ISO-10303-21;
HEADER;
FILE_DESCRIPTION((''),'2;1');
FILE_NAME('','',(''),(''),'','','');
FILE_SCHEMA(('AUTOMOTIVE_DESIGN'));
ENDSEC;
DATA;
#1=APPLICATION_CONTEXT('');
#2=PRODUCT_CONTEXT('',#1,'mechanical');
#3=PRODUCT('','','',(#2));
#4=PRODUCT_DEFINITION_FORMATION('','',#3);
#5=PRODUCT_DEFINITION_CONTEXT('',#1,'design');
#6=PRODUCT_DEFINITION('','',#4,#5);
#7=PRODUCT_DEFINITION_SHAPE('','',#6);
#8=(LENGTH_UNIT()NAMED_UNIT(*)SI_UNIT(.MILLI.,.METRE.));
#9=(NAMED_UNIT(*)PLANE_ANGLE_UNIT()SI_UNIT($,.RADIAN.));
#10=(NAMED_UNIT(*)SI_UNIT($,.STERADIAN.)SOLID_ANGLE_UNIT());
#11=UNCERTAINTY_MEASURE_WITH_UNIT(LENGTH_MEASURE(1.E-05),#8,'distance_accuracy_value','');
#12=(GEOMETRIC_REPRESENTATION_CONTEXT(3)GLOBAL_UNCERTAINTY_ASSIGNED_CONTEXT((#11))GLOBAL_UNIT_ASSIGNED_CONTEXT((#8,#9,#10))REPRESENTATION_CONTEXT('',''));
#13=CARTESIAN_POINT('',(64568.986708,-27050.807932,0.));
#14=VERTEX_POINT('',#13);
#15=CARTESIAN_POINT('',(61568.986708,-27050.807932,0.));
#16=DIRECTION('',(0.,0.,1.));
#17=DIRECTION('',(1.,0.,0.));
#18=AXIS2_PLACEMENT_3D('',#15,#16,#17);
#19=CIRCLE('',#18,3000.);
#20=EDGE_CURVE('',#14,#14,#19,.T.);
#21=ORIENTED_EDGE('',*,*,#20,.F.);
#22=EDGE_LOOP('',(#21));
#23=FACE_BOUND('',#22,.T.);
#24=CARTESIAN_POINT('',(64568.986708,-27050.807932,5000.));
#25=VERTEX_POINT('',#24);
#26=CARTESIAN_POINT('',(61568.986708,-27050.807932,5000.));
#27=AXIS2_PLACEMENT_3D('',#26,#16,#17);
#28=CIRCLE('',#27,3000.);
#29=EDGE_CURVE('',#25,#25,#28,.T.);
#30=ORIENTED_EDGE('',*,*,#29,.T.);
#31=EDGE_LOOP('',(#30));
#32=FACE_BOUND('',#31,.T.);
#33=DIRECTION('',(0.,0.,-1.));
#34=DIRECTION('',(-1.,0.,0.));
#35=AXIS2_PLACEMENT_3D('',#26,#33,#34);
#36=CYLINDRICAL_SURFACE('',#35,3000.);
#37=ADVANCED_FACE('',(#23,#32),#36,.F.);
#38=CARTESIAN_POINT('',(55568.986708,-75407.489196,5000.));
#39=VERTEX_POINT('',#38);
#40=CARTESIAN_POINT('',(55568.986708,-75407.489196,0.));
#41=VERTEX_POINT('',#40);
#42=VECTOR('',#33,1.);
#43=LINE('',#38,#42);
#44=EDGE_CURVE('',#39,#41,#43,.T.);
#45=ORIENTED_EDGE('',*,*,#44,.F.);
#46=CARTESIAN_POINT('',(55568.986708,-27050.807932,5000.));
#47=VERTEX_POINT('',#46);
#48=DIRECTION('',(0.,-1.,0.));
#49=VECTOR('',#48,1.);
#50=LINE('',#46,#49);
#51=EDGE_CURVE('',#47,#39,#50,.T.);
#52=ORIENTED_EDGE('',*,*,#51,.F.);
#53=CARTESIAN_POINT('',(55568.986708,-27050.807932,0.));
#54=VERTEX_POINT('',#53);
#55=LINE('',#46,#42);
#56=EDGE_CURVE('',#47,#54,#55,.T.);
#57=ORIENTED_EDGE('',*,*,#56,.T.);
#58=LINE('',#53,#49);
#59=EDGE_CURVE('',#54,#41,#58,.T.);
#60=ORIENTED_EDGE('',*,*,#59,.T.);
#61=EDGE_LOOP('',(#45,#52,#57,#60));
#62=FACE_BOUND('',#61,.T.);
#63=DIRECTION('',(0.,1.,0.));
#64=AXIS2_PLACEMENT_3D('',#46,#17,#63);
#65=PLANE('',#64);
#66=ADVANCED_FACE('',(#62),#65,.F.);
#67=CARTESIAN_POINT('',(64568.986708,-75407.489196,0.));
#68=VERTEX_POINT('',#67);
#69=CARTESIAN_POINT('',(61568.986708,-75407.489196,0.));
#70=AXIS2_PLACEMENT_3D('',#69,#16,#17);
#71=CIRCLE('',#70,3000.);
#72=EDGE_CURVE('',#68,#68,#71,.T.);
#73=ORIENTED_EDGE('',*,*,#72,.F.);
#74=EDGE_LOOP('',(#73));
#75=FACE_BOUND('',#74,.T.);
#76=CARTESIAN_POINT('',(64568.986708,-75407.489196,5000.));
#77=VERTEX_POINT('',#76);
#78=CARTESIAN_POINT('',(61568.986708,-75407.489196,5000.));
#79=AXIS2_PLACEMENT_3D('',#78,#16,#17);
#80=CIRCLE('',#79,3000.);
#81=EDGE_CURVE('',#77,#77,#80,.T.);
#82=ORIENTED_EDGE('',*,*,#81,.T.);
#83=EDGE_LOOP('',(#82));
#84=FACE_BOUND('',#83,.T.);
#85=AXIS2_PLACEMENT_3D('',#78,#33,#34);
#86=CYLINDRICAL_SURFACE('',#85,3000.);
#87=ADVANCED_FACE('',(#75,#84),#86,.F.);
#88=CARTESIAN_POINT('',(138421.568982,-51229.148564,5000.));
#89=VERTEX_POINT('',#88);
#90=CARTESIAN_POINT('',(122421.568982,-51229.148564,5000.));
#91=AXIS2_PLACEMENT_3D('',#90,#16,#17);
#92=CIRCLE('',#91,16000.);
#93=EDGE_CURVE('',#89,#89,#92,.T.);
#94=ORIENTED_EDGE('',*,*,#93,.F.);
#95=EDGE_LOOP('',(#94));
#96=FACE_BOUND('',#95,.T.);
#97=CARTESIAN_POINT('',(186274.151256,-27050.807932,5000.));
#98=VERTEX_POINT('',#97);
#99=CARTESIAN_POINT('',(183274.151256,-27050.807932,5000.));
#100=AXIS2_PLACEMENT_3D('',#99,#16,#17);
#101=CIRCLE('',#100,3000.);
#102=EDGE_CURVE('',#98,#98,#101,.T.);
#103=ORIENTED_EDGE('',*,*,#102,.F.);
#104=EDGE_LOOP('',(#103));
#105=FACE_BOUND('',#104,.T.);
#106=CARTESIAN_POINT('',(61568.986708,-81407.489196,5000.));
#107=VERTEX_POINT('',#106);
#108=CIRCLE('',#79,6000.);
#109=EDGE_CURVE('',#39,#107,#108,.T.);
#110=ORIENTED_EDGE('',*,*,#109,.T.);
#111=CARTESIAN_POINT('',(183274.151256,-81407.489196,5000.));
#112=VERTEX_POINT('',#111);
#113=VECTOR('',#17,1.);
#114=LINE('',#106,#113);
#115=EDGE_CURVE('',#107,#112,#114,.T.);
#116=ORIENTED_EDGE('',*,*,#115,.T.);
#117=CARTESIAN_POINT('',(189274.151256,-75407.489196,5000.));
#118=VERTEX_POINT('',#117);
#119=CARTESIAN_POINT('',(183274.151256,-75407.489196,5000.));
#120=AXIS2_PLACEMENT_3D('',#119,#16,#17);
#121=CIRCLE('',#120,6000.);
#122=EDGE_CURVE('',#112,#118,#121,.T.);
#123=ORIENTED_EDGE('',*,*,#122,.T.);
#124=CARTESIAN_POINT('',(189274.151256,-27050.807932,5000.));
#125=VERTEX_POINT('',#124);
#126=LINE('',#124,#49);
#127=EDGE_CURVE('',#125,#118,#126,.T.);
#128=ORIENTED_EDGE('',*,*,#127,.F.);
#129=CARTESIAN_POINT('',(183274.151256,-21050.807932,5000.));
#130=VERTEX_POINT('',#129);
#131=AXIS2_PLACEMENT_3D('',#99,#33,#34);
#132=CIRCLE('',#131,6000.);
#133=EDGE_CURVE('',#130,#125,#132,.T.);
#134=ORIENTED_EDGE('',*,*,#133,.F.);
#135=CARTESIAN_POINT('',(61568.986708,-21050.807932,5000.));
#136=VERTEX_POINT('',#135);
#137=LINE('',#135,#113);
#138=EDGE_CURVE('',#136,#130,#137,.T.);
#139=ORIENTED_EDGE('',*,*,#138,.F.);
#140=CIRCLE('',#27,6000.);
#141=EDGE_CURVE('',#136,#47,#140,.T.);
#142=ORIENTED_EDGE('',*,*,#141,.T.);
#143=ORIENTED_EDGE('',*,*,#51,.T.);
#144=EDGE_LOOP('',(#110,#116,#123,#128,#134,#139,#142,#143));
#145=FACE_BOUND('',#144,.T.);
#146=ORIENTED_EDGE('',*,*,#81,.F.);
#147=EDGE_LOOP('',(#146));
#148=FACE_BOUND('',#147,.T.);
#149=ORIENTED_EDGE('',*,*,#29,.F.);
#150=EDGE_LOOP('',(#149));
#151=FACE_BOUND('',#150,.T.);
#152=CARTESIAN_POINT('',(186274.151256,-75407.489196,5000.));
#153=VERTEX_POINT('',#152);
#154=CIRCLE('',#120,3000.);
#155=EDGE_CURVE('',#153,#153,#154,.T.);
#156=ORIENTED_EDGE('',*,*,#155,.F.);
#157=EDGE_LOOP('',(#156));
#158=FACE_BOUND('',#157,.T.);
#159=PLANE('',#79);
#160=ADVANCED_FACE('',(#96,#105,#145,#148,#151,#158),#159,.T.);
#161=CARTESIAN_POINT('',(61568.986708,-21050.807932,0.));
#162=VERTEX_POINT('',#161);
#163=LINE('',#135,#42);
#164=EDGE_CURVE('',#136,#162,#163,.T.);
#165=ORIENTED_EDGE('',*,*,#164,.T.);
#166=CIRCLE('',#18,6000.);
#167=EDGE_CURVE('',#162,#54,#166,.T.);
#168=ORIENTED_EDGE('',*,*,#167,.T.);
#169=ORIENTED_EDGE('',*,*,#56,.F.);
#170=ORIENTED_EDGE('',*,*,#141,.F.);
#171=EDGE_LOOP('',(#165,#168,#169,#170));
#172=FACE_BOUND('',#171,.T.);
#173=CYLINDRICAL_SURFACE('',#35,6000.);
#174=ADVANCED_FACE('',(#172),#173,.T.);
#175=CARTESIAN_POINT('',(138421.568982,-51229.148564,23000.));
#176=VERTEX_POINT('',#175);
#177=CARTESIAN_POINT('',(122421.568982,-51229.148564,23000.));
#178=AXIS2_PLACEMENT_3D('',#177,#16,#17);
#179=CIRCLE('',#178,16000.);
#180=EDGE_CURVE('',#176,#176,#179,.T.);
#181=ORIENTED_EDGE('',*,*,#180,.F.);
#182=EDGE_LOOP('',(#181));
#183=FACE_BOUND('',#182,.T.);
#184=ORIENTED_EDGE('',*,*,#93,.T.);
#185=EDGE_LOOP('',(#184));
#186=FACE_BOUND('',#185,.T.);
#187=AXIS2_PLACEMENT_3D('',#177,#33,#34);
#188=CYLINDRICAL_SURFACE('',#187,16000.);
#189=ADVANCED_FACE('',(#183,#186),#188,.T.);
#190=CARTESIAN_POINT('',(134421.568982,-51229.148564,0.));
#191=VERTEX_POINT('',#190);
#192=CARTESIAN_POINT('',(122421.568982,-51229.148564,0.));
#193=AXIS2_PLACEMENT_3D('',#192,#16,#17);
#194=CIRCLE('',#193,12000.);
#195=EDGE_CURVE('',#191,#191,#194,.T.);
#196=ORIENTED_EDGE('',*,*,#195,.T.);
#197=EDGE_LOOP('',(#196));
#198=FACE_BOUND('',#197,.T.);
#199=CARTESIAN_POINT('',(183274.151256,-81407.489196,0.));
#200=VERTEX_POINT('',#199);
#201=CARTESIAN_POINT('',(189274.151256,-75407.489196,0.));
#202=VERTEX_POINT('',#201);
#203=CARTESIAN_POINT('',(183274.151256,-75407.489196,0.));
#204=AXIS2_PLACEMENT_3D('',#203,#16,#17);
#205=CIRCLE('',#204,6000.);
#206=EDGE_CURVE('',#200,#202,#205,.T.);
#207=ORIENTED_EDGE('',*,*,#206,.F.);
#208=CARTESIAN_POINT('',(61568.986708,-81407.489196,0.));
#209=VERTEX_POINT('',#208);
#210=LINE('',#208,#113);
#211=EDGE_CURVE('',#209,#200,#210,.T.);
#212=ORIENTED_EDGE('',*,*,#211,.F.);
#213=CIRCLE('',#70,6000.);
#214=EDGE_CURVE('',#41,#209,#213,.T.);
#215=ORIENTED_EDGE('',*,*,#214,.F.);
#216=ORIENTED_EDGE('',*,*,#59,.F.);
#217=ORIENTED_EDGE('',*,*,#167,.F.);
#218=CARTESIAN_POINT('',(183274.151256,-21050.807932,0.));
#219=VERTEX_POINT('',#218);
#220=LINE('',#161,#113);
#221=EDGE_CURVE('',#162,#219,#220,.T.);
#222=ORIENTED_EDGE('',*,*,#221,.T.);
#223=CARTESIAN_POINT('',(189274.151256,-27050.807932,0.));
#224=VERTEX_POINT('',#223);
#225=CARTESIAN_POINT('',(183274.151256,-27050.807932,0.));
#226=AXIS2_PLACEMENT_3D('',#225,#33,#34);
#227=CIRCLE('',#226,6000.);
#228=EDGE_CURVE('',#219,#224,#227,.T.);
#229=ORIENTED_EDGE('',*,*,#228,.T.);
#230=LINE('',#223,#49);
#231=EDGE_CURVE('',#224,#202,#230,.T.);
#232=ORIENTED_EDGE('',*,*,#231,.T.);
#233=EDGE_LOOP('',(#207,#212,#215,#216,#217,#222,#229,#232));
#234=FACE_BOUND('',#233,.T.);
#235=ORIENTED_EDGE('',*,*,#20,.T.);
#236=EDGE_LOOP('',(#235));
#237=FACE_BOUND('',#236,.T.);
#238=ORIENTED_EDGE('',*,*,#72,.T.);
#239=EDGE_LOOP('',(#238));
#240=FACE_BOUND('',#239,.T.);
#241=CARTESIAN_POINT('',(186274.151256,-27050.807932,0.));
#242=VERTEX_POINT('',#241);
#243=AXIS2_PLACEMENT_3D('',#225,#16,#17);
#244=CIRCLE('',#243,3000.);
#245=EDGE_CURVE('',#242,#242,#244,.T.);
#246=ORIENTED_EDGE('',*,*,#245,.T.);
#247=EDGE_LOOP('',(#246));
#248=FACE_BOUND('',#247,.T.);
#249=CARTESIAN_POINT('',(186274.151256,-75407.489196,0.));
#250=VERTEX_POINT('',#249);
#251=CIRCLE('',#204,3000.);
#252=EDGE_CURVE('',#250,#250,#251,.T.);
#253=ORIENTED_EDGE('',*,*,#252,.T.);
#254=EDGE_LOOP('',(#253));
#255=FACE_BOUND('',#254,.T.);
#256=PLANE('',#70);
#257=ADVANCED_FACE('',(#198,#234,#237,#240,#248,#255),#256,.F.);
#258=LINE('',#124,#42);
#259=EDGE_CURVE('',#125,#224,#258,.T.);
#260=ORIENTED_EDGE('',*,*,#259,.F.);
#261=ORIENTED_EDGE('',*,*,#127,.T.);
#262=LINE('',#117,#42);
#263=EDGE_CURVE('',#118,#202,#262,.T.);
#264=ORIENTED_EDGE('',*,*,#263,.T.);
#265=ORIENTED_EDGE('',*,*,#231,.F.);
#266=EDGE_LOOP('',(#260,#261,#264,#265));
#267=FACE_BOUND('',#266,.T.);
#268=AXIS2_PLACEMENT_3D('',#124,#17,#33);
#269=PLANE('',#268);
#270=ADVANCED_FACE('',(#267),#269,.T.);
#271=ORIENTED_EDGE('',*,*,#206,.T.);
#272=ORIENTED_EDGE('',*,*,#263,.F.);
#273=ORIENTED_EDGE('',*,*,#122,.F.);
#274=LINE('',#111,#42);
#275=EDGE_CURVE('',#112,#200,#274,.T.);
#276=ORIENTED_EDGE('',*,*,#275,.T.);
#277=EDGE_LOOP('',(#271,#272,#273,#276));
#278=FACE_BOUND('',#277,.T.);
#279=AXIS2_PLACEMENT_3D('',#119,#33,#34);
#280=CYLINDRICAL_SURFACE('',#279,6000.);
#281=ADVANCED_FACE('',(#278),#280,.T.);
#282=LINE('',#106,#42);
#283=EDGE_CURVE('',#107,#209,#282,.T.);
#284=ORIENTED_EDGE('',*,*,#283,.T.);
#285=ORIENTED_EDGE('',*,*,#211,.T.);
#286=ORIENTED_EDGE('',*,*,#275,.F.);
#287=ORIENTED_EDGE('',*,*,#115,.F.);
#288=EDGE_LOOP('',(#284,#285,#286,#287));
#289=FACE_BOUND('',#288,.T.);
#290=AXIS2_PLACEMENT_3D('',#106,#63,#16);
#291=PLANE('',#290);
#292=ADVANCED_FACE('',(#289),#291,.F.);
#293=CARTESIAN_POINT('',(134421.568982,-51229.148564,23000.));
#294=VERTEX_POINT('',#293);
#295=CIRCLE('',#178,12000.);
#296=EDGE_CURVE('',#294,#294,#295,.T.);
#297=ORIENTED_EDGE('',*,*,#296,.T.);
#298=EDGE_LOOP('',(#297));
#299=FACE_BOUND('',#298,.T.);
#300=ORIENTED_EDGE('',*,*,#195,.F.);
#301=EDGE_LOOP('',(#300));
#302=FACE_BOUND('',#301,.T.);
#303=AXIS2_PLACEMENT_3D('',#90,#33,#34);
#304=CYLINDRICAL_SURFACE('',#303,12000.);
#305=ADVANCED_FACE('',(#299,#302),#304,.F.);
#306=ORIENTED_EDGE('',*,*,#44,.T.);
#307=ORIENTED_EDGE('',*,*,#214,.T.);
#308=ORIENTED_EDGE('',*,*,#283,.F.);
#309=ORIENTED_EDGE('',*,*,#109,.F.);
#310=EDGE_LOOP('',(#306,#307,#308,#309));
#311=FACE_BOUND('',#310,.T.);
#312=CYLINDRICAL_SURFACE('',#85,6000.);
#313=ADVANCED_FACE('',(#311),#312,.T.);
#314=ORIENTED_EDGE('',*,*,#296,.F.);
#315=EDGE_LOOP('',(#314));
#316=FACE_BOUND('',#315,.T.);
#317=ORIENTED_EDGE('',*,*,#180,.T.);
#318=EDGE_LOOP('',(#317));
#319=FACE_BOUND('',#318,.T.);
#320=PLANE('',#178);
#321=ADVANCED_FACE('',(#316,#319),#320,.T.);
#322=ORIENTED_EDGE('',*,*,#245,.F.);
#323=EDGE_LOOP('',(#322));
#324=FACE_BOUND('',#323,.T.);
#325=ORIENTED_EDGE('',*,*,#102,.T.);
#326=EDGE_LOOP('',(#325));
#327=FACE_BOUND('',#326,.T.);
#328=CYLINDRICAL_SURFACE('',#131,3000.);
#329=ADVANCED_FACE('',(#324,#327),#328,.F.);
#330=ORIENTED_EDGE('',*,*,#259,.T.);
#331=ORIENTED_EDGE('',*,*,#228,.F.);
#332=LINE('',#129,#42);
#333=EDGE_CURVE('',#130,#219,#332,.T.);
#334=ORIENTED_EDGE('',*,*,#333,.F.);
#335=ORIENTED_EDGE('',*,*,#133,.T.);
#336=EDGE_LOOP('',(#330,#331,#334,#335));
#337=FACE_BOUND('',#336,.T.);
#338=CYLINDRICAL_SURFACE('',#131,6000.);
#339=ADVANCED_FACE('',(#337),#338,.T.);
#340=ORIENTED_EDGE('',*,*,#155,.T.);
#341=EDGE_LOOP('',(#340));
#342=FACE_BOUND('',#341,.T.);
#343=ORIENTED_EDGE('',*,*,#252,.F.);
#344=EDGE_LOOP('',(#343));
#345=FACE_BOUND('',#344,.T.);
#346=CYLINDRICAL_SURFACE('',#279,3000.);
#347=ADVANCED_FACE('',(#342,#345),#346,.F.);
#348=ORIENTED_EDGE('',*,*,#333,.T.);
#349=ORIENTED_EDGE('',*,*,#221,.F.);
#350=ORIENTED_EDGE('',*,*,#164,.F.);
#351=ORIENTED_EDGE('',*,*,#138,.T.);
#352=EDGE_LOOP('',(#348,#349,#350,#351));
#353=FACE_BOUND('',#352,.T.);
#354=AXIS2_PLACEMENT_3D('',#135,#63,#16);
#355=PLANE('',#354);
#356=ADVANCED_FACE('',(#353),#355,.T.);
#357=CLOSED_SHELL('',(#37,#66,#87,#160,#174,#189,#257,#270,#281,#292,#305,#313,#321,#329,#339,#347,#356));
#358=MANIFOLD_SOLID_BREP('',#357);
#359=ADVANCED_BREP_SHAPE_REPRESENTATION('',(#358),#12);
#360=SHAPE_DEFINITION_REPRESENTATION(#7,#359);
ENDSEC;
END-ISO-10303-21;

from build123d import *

# Parameters (mm, degrees)
SKETCH1_R           = 12000
SKETCH1_R_2         = 3000
BOSS_EXTRUDE2_DEPTH = 5000
SKETCH2_R           = 16000
SKETCH2_R_2         = 12000
BOSS_EXTRUDE3_DEPTH = 18000


with BuildPart() as part:
    # Sketch1 → Boss-Extrude2 (new body)
    with BuildSketch(Plane.XY):
        with BuildLine():
            Line((61568.986707958, -21050.807931945), (183274.151255793, -21050.807931945))
            ThreePointArc((183274.151255793, -21050.807931945), (187516.791942913, -22808.167244826), (189274.151255793, -27050.807931945))
            Line((189274.151255793, -27050.807931945), (189274.151255793, -75407.489196212))
            ThreePointArc((189274.151255793, -75407.489196212), (187516.791942913, -79650.129883331), (183274.151255793, -81407.489196212))
            Line((183274.151255793, -81407.489196212), (61568.986707958, -81407.489196212))
            ThreePointArc((61568.986707958, -81407.489196212), (57326.346020839, -79650.129883331), (55568.986707958, -75407.489196212))
            Line((55568.986707958, -75407.489196212), (55568.986707958, -27050.807931945))
            ThreePointArc((55568.986707958, -27050.807931945), (57326.346020839, -22808.167244826), (61568.986707958, -21050.807931945))
        make_face()
        with Locations((122421.568981876, -51229.148564079)):
            Circle(SKETCH1_R, mode=Mode.SUBTRACT)
        with Locations((61568.986707958, -27050.807931945)):
            Circle(SKETCH1_R_2, mode=Mode.SUBTRACT)
        with Locations((183274.151255793, -27050.807931945)):
            Circle(SKETCH1_R_2, mode=Mode.SUBTRACT)
        with Locations((183274.151255793, -75407.489196212)):
            Circle(SKETCH1_R_2, mode=Mode.SUBTRACT)
        with Locations((61568.986707958, -75407.489196212)):
            Circle(SKETCH1_R_2, mode=Mode.SUBTRACT)
    extrude(amount=BOSS_EXTRUDE2_DEPTH)

    # Sketch2 → Boss-Extrude3 (add)
    with BuildSketch(Plane.XY.offset(5000)):
        with Locations((122421.568981876, -51229.148564079)):
            Circle(SKETCH2_R)
        with Locations((122421.568981876, -51229.148564079)):
            Circle(SKETCH2_R_2, mode=Mode.SUBTRACT)
    extrude(amount=BOSS_EXTRUDE3_DEPTH)


solid = part.part
